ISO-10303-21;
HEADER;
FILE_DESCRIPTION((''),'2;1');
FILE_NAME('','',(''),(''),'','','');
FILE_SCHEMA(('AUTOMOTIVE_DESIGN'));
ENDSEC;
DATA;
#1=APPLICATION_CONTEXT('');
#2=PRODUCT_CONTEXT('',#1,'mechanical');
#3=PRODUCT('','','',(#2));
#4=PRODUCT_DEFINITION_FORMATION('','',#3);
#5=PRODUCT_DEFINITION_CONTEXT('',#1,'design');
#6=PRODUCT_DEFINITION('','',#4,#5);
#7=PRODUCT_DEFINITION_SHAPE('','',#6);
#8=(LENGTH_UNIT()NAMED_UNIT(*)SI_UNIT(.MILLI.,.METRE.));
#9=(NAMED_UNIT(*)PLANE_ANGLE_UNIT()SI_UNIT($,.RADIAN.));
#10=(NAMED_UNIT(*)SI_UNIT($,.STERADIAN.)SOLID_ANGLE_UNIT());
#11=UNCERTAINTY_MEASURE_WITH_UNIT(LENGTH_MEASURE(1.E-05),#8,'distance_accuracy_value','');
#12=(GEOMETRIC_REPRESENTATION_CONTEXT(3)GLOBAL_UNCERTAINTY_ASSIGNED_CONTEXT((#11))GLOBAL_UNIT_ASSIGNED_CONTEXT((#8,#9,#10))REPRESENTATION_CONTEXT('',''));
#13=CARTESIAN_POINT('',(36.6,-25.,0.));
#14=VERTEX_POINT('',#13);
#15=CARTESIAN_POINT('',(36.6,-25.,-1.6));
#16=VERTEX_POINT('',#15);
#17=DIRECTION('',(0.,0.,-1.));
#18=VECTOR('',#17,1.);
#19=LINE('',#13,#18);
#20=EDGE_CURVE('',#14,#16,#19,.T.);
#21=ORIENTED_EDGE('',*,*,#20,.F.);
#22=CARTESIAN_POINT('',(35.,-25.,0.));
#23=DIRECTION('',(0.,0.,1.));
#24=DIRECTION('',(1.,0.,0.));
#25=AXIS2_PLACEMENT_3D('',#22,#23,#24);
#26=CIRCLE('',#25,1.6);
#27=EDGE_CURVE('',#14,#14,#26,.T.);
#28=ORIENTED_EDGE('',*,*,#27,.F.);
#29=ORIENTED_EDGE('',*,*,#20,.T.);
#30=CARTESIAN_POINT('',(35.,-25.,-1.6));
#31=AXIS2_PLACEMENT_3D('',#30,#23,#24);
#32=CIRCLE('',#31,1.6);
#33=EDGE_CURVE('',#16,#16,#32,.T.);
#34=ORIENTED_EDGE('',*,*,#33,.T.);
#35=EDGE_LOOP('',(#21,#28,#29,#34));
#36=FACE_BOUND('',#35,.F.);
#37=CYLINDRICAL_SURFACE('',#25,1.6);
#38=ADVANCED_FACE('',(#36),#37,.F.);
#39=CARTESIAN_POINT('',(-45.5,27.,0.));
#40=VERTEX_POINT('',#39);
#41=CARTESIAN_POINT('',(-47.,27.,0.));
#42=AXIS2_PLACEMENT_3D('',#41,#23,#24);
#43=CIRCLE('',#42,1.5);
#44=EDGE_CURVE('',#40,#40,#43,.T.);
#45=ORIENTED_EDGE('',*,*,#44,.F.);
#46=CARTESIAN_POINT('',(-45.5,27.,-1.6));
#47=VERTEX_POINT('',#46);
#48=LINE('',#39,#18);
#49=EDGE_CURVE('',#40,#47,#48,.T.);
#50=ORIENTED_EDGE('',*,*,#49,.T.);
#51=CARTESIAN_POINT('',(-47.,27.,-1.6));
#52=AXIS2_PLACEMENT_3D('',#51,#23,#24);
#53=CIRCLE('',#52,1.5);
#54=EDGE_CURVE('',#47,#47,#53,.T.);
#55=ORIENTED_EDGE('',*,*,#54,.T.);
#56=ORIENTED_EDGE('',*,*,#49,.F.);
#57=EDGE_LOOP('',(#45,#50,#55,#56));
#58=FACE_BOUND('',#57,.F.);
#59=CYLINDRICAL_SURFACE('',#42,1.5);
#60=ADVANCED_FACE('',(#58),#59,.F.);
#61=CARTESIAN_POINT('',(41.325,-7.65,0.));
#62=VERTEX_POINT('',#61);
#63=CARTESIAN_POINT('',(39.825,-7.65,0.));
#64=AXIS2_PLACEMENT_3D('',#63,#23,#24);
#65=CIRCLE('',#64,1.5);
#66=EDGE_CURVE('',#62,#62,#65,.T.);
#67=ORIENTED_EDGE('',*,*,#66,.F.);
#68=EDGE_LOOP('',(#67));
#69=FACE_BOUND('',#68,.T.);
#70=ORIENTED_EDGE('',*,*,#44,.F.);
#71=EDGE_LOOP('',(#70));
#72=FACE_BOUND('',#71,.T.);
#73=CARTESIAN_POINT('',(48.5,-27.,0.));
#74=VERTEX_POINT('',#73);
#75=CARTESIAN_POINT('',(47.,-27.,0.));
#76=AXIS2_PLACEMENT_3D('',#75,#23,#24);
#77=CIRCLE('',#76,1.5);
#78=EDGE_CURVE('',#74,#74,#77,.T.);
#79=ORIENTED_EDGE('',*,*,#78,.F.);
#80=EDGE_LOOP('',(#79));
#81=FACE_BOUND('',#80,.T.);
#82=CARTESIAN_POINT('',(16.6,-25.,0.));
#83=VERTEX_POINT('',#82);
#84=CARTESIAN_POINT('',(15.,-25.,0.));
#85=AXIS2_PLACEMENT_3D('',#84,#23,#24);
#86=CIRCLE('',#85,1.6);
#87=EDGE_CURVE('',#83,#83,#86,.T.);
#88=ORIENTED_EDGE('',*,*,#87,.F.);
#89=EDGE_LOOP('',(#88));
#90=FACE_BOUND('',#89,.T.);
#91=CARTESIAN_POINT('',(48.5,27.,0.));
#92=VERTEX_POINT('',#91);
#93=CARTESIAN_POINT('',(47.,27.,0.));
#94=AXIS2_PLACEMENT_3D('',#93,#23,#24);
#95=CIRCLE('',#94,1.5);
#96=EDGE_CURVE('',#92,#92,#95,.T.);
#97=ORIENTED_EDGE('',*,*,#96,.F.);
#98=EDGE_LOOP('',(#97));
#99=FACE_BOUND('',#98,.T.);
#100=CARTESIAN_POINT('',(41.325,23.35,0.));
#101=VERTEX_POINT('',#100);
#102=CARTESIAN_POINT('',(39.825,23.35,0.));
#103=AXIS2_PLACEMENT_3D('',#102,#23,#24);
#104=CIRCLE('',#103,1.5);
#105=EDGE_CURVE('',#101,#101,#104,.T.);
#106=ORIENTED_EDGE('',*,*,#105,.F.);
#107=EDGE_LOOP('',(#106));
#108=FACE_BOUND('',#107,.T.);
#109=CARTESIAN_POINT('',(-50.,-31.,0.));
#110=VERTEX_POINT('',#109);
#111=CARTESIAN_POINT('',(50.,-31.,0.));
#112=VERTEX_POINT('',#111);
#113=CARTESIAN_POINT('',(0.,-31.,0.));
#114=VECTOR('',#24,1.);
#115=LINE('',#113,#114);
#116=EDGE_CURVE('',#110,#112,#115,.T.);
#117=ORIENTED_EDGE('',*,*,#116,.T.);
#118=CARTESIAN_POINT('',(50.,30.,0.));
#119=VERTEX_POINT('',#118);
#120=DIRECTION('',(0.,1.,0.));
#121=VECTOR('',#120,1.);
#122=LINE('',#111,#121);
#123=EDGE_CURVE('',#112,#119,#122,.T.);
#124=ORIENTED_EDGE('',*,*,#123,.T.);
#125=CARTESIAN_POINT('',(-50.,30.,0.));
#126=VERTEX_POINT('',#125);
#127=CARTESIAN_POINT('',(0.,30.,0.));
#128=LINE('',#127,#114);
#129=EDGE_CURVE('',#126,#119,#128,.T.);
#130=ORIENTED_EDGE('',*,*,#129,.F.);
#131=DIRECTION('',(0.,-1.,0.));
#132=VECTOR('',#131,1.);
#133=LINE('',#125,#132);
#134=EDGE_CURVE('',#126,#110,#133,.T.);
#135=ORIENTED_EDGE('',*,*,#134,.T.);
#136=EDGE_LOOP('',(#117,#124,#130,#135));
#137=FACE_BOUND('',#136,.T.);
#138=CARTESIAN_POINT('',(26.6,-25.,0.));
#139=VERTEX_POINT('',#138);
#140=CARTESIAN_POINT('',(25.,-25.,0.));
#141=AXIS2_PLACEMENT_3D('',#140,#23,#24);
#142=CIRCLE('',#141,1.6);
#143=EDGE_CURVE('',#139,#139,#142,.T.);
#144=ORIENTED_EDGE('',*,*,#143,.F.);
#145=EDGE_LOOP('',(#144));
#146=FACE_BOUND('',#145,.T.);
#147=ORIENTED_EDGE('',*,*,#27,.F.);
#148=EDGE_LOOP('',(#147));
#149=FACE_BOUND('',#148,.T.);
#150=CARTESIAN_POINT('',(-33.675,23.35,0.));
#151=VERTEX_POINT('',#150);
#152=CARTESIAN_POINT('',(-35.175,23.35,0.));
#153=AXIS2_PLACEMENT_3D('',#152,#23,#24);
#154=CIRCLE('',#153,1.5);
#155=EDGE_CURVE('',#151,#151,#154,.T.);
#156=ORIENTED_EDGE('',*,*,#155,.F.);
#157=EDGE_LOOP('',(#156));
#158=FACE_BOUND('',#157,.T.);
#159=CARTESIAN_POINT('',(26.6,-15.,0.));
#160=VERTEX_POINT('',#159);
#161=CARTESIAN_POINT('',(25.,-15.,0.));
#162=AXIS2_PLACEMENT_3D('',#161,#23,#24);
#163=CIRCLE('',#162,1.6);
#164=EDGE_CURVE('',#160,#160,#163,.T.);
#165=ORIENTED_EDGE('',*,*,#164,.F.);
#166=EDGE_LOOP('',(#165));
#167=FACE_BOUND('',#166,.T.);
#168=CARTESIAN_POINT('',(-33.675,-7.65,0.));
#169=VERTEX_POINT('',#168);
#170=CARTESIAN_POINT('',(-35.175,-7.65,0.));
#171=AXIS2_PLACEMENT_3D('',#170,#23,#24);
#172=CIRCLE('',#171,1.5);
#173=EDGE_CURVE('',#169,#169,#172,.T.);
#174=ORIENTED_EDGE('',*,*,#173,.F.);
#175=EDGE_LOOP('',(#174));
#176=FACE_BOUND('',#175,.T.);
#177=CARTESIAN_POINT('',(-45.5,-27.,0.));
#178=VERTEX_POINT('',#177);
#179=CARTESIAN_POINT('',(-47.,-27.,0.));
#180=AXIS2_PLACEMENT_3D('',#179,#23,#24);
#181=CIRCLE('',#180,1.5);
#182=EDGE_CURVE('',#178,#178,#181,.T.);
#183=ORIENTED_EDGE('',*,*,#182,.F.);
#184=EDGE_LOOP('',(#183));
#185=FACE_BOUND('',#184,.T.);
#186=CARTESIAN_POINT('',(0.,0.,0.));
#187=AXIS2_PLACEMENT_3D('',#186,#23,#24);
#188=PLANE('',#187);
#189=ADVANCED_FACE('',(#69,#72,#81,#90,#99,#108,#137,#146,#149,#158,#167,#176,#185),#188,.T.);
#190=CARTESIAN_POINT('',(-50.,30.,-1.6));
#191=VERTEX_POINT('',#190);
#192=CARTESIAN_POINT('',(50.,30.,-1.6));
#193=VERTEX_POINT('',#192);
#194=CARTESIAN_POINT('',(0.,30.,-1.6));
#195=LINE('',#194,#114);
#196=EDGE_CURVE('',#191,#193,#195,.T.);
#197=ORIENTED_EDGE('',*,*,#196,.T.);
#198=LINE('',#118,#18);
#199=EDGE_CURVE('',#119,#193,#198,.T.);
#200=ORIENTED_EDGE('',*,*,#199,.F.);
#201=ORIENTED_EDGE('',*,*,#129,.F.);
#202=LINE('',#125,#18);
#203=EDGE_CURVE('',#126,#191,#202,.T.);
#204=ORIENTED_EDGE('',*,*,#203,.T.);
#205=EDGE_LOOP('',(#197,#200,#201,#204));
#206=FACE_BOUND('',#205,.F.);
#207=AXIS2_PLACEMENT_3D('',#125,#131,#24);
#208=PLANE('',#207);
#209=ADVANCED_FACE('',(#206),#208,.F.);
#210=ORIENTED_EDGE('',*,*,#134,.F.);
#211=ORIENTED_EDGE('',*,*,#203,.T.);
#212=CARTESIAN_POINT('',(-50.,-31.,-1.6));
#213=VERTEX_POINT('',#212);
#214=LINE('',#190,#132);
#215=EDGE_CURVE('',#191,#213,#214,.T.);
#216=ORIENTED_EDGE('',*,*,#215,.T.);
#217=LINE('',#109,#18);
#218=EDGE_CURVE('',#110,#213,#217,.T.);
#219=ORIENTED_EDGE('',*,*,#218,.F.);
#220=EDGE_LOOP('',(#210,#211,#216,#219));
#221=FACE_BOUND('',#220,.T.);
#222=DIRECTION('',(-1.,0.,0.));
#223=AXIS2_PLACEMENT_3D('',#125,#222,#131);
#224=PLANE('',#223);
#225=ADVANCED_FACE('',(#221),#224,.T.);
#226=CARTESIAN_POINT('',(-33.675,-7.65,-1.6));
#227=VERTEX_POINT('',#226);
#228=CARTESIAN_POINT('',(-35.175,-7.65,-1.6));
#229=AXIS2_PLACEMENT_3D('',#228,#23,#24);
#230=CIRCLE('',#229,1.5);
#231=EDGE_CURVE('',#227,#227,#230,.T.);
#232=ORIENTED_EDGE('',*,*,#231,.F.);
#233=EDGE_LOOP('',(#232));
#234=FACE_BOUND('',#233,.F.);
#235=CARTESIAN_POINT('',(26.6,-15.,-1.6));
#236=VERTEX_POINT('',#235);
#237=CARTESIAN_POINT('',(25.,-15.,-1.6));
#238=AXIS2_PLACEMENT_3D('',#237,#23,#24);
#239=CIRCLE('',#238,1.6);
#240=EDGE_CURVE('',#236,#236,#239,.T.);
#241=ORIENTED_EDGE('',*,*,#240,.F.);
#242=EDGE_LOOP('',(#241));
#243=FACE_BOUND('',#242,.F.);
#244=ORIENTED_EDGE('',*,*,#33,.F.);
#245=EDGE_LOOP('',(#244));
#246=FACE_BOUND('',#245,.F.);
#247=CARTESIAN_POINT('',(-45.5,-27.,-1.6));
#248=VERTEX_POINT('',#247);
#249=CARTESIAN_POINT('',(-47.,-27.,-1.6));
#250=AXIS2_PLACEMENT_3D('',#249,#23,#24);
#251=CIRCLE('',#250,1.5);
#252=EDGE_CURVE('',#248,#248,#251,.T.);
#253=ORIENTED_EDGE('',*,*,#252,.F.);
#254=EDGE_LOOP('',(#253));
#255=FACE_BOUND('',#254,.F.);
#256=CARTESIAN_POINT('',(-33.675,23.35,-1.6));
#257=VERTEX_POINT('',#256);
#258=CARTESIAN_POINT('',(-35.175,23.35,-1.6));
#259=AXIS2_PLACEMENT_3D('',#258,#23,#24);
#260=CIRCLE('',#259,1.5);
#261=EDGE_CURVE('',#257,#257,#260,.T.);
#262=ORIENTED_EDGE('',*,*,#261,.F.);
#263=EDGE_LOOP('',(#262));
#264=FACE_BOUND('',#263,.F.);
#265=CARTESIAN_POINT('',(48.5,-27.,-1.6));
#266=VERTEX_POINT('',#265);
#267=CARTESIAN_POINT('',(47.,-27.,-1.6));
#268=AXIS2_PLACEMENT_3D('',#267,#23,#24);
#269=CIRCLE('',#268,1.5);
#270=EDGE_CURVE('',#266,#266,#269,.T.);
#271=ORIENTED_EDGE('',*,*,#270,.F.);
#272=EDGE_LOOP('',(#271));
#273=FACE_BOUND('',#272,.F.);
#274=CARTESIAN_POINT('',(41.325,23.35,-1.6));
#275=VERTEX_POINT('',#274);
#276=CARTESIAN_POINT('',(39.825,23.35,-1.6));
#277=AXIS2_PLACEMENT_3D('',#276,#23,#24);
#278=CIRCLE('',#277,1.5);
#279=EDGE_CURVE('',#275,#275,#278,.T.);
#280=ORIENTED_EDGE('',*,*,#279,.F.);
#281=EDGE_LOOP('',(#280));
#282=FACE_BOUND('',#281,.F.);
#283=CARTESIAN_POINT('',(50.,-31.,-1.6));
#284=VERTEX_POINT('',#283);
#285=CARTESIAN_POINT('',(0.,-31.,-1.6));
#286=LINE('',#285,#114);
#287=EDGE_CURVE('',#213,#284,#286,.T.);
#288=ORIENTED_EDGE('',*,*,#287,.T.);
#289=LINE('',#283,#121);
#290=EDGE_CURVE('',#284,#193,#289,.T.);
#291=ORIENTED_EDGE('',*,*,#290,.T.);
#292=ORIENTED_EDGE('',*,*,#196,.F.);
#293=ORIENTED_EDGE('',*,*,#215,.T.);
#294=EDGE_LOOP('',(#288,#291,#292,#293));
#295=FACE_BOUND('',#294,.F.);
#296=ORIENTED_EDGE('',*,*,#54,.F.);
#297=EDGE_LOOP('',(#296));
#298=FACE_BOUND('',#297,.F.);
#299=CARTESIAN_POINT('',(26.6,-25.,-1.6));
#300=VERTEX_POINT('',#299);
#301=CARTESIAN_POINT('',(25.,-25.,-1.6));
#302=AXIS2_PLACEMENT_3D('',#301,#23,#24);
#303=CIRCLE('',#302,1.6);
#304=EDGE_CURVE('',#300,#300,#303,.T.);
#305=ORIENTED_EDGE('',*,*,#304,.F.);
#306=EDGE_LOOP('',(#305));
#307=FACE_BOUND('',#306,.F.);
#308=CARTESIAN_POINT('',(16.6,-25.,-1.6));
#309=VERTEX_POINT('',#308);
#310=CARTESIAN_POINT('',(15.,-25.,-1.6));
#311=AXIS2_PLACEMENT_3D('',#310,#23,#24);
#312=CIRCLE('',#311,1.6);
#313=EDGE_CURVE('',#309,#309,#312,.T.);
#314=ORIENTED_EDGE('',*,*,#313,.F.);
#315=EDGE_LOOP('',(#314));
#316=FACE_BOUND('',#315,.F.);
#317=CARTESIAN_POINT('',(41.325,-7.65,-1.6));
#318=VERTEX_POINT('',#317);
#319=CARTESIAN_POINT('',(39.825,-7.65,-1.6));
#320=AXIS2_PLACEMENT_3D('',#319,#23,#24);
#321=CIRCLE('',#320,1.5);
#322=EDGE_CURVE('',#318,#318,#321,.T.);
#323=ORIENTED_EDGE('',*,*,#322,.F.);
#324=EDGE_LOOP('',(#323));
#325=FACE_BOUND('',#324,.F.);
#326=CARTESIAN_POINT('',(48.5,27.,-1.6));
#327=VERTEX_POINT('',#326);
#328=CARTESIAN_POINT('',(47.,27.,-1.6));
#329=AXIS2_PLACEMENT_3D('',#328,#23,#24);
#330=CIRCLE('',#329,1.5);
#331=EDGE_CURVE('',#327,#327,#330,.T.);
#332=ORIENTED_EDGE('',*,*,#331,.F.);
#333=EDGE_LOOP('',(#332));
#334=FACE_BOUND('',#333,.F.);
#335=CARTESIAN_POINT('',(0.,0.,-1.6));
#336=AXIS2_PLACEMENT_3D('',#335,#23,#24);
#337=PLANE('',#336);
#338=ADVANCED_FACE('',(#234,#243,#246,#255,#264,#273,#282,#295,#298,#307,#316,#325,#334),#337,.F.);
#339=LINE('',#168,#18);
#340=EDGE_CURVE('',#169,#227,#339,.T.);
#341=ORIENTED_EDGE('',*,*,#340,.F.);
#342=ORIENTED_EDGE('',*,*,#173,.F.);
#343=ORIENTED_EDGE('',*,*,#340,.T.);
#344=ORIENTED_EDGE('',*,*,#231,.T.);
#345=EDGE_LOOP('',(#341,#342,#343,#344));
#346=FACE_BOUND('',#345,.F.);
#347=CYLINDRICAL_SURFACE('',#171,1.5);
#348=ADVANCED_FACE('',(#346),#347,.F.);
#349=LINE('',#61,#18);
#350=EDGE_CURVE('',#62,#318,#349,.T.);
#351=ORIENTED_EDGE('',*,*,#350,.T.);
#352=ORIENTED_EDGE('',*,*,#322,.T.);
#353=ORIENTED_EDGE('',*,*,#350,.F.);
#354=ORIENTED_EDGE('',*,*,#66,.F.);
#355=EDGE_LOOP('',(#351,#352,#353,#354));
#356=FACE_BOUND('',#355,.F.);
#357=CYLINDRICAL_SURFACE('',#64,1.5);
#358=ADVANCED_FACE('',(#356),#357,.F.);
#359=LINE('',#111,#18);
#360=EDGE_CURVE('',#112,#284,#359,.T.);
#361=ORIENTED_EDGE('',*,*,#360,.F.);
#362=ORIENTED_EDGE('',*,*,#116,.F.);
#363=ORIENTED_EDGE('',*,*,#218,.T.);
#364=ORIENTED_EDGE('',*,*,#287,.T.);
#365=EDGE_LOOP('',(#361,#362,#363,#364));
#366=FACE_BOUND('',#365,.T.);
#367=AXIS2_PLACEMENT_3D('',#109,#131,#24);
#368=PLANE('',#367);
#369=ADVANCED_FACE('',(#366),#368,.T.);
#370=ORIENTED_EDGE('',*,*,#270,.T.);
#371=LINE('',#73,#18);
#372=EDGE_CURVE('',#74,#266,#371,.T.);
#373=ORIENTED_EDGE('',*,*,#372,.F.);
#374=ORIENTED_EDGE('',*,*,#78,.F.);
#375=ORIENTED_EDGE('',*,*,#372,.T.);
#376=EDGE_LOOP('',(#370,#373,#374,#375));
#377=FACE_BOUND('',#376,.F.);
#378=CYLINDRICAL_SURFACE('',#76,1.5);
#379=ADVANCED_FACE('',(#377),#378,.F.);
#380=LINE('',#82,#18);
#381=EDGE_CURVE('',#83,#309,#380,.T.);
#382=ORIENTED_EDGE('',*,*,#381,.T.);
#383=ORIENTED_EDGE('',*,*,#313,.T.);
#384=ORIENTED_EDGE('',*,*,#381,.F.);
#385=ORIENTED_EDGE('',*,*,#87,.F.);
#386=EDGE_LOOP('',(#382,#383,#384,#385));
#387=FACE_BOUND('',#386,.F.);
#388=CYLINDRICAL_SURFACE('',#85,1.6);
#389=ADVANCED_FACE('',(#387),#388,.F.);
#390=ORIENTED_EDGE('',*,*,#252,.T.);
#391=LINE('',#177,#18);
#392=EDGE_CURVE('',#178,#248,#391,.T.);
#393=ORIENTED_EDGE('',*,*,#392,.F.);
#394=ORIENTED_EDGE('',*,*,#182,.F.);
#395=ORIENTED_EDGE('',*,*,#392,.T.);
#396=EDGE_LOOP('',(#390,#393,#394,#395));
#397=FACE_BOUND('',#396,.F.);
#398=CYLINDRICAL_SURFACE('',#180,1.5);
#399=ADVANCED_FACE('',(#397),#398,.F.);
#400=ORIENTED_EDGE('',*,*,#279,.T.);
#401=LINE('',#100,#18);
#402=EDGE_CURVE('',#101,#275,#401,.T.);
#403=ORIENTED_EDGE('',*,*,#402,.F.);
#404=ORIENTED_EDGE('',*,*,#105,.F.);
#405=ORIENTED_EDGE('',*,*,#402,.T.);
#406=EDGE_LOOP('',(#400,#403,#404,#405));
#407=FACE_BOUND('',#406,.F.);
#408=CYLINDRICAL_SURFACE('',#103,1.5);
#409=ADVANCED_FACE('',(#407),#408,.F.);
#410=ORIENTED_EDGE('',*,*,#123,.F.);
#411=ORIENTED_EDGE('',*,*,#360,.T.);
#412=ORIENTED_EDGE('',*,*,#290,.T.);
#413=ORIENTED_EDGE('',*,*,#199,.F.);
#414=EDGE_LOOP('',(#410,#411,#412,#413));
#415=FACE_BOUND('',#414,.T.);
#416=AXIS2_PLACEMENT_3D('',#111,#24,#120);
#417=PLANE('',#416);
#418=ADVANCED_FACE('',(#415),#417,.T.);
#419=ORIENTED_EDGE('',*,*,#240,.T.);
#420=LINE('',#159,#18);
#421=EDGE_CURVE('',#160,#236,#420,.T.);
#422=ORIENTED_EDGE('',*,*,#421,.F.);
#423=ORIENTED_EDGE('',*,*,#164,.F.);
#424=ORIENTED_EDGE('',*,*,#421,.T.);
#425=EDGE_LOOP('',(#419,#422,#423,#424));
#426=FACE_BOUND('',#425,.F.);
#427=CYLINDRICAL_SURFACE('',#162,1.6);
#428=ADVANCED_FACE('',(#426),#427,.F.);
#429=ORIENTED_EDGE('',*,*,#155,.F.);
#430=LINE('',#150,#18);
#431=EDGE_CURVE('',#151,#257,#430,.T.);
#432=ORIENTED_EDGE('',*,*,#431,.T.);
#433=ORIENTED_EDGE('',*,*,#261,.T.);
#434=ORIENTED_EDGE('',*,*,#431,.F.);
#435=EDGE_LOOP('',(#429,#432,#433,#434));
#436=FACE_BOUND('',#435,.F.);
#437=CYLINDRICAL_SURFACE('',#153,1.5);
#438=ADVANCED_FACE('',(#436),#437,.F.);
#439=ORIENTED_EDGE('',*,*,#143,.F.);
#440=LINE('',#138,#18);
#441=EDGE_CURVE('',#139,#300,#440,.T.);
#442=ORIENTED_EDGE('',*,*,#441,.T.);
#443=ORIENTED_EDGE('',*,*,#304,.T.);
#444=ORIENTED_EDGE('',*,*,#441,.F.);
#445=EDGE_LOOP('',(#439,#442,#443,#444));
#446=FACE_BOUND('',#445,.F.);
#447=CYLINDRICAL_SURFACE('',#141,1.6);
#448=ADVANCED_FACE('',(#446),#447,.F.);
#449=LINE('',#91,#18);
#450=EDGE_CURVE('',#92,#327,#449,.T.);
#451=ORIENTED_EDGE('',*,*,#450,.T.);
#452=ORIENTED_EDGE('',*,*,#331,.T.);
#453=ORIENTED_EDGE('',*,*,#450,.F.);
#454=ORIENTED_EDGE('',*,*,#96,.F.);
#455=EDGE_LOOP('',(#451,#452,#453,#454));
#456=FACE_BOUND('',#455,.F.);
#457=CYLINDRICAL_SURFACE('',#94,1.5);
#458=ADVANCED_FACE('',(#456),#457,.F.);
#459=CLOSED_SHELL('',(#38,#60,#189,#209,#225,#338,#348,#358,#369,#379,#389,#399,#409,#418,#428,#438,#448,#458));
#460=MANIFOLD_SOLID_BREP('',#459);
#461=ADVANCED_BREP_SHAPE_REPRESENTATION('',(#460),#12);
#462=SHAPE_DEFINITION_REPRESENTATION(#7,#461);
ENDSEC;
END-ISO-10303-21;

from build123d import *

# Parameters (mm, degrees)
F0_W     = 100
F0_H     = 60
F0_R     = 1.5
F0_R_2   = 1.6
F0_H_2   = 1
F1_DEPTH = 1.6


with BuildPart() as f1:
    # F0 (on Top) → F1 (new body)
    with BuildSketch(Plane.XY):
        Rectangle(F0_W, F0_H)
        with Locations((-47, -27)):
            Circle(F0_R, mode=Mode.SUBTRACT)
        with Locations((-35.175, -7.65)):
            Circle(F0_R, mode=Mode.SUBTRACT)
        with Locations((15, -25)):
            Circle(F0_R_2, mode=Mode.SUBTRACT)
        with Locations((25, -25)):
            Circle(F0_R_2, mode=Mode.SUBTRACT)
        with Locations((35, -25)):
            Circle(F0_R_2, mode=Mode.SUBTRACT)
        with Locations((47, -27)):
            Circle(F0_R, mode=Mode.SUBTRACT)
        with Locations((25, -15)):
            Circle(F0_R_2, mode=Mode.SUBTRACT)
        with Locations((39.825, -7.65)):
            Circle(F0_R, mode=Mode.SUBTRACT)
        with Locations((-47, 27)):
            Circle(F0_R, mode=Mode.SUBTRACT)
        with Locations((-35.175, 23.35)):
            Circle(F0_R, mode=Mode.SUBTRACT)
        with Locations((39.825, 23.35)):
            Circle(F0_R, mode=Mode.SUBTRACT)
        with Locations((47, 27)):
            Circle(F0_R, mode=Mode.SUBTRACT)
        with Locations((0, -30.5)):
            Rectangle(F0_W, F0_H_2)
    extrude(amount=-F1_DEPTH)


solid = f1.part
